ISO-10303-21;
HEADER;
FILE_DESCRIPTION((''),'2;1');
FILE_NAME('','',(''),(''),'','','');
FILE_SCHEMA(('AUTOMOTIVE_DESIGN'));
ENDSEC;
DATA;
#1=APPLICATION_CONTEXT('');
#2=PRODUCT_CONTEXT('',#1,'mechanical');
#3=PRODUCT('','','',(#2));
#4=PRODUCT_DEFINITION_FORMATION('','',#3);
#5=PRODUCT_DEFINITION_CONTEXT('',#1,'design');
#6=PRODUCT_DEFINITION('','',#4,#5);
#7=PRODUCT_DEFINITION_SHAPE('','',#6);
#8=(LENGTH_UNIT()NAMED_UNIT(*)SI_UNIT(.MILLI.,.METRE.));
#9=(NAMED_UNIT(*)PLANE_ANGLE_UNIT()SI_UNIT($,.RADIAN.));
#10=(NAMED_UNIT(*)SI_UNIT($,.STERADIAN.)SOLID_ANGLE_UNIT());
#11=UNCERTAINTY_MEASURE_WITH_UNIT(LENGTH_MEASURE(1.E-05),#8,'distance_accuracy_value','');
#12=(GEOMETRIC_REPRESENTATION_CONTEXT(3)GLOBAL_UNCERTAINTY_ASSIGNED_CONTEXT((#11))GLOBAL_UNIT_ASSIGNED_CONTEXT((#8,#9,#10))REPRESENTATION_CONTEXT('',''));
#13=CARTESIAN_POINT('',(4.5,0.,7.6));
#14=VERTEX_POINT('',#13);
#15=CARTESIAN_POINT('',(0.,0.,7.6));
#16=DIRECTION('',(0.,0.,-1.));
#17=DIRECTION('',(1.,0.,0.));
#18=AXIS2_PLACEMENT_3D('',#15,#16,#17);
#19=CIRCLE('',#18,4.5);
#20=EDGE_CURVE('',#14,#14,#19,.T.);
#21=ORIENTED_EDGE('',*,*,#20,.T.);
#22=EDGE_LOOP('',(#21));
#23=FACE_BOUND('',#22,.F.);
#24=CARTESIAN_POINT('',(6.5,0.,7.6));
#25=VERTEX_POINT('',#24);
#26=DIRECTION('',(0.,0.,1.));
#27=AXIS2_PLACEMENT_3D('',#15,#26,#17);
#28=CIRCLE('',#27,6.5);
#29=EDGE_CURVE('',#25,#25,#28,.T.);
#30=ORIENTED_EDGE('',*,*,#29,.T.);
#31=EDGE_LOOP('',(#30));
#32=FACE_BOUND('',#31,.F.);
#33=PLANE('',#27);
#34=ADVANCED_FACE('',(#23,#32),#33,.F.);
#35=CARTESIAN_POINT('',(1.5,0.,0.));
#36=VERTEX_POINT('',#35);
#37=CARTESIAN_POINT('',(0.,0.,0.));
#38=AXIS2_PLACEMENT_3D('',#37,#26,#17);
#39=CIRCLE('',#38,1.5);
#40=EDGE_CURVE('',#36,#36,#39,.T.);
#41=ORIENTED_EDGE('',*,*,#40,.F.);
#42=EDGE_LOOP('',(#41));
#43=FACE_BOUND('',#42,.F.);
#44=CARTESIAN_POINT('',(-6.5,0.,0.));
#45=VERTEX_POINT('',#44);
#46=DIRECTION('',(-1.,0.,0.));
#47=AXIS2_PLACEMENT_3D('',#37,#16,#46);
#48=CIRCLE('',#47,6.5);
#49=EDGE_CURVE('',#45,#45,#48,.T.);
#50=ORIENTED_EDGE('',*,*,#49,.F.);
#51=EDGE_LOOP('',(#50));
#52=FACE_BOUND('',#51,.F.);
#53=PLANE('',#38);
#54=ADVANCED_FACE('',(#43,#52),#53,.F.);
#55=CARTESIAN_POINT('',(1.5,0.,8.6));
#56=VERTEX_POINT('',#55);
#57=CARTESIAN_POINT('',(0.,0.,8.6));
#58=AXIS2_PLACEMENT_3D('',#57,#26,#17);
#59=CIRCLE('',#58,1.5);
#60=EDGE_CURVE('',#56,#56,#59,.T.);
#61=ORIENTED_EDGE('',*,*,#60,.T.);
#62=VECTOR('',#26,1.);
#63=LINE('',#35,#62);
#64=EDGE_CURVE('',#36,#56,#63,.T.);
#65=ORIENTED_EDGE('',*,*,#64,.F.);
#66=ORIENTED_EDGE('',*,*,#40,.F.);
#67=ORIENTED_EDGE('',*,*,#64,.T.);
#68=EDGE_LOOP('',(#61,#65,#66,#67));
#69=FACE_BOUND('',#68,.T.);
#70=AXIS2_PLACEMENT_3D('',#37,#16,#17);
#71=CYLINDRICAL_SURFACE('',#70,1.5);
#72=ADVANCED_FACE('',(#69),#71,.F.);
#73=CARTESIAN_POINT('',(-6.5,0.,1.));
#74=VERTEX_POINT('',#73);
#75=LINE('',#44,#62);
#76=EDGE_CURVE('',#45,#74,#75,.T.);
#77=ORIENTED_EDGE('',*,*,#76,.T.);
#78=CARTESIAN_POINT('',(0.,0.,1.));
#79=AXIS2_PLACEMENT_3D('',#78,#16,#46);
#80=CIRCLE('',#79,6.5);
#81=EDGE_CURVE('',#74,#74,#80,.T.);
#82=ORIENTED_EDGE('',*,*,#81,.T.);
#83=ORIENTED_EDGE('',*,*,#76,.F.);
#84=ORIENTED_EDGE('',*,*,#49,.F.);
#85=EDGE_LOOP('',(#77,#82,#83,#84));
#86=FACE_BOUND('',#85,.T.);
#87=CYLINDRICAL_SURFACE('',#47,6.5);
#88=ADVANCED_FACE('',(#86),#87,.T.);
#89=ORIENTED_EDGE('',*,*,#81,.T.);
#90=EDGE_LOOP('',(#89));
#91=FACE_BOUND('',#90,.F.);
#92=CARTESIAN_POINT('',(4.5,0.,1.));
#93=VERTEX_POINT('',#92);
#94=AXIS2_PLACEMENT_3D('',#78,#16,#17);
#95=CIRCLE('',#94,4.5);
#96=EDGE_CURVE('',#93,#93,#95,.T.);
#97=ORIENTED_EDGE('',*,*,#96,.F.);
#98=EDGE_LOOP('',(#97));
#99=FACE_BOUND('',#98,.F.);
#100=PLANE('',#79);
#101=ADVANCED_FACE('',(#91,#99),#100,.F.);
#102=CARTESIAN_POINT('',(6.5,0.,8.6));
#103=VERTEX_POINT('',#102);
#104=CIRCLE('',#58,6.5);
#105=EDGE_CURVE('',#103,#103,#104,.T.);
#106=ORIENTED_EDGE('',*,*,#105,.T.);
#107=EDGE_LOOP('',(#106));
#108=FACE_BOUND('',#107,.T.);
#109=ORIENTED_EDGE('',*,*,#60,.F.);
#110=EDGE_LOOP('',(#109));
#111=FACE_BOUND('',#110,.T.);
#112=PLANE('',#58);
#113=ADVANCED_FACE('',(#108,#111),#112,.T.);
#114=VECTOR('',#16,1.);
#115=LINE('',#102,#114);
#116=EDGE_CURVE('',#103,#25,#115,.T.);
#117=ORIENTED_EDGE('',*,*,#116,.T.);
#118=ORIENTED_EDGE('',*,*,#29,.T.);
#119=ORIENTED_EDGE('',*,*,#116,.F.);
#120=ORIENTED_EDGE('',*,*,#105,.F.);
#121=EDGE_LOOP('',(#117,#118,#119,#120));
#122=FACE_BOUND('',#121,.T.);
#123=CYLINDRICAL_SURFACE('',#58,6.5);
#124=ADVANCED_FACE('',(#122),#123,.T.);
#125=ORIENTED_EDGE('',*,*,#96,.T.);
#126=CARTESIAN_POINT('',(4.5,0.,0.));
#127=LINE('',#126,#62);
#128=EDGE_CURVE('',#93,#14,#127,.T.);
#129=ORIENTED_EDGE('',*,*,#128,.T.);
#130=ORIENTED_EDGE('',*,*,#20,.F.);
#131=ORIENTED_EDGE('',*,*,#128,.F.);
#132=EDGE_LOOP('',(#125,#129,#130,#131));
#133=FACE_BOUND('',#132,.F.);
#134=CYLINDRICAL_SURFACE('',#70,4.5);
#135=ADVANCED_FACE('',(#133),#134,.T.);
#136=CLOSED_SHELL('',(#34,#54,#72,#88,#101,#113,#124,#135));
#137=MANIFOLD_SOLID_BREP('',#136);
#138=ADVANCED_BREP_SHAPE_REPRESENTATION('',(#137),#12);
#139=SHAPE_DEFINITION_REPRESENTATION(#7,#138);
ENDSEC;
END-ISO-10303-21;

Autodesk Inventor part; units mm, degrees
ref_plane "YZ Plane" through (0, 0, 0) normal (1, 0, 0) x (0, 1, 0)
ref_plane "XZ Plane" through (0, 0, 0) normal (0, 1, 0) x (-1, 0, 0)
ref_plane "XY Plane" through (0, 0, 0) normal (0, 0, 1) x (1, 0, 0)
sketch "Sketch1" plane through (0, 0, 0) normal (0, 0, 1) x (1, 0, 0)
  circle A0 centre (0, 0) radius 1.5
  circle A1 centre (0, 0) radius 4.5
  dimension "d0" = 3
  dimension "d1" = 9
extrude "Extrusion1" add sketch "Sketch1" along normal blind 8.6
sketch "Sketch2" plane through (0, 0, 8.6) normal (0, 0, 1) x (1, 0, 0)
  circle A0 centre (0, 0) radius 6.5
  circle A1 centre (0, 0) radius 1.5 projected
  dimension "d4" = 13
extrude "Extrusion2" add sketch "Sketch2" against normal blind 1
sketch "Sketch3" plane through (0, 0, 0) normal (0, 0, -1) x (-1, 0, 0)
  circle A0 centre (0, 0) radius 6.5 projected
  circle A1 centre (0, 0) radius 4.5 projected
  circle A2 centre (0, 0) radius 4.5 projected
  circle A3 centre (0, 0) radius 1.5 projected
extrude "Extrusion3" add sketch "Sketch3" against normal blind 1 contours A0 | A1
ref_plane "Work Plane1" through (0, 0, 4.3) normal (0, 0, 1) x (1, 0, 0)
properties part number "belt pulley flanged"
